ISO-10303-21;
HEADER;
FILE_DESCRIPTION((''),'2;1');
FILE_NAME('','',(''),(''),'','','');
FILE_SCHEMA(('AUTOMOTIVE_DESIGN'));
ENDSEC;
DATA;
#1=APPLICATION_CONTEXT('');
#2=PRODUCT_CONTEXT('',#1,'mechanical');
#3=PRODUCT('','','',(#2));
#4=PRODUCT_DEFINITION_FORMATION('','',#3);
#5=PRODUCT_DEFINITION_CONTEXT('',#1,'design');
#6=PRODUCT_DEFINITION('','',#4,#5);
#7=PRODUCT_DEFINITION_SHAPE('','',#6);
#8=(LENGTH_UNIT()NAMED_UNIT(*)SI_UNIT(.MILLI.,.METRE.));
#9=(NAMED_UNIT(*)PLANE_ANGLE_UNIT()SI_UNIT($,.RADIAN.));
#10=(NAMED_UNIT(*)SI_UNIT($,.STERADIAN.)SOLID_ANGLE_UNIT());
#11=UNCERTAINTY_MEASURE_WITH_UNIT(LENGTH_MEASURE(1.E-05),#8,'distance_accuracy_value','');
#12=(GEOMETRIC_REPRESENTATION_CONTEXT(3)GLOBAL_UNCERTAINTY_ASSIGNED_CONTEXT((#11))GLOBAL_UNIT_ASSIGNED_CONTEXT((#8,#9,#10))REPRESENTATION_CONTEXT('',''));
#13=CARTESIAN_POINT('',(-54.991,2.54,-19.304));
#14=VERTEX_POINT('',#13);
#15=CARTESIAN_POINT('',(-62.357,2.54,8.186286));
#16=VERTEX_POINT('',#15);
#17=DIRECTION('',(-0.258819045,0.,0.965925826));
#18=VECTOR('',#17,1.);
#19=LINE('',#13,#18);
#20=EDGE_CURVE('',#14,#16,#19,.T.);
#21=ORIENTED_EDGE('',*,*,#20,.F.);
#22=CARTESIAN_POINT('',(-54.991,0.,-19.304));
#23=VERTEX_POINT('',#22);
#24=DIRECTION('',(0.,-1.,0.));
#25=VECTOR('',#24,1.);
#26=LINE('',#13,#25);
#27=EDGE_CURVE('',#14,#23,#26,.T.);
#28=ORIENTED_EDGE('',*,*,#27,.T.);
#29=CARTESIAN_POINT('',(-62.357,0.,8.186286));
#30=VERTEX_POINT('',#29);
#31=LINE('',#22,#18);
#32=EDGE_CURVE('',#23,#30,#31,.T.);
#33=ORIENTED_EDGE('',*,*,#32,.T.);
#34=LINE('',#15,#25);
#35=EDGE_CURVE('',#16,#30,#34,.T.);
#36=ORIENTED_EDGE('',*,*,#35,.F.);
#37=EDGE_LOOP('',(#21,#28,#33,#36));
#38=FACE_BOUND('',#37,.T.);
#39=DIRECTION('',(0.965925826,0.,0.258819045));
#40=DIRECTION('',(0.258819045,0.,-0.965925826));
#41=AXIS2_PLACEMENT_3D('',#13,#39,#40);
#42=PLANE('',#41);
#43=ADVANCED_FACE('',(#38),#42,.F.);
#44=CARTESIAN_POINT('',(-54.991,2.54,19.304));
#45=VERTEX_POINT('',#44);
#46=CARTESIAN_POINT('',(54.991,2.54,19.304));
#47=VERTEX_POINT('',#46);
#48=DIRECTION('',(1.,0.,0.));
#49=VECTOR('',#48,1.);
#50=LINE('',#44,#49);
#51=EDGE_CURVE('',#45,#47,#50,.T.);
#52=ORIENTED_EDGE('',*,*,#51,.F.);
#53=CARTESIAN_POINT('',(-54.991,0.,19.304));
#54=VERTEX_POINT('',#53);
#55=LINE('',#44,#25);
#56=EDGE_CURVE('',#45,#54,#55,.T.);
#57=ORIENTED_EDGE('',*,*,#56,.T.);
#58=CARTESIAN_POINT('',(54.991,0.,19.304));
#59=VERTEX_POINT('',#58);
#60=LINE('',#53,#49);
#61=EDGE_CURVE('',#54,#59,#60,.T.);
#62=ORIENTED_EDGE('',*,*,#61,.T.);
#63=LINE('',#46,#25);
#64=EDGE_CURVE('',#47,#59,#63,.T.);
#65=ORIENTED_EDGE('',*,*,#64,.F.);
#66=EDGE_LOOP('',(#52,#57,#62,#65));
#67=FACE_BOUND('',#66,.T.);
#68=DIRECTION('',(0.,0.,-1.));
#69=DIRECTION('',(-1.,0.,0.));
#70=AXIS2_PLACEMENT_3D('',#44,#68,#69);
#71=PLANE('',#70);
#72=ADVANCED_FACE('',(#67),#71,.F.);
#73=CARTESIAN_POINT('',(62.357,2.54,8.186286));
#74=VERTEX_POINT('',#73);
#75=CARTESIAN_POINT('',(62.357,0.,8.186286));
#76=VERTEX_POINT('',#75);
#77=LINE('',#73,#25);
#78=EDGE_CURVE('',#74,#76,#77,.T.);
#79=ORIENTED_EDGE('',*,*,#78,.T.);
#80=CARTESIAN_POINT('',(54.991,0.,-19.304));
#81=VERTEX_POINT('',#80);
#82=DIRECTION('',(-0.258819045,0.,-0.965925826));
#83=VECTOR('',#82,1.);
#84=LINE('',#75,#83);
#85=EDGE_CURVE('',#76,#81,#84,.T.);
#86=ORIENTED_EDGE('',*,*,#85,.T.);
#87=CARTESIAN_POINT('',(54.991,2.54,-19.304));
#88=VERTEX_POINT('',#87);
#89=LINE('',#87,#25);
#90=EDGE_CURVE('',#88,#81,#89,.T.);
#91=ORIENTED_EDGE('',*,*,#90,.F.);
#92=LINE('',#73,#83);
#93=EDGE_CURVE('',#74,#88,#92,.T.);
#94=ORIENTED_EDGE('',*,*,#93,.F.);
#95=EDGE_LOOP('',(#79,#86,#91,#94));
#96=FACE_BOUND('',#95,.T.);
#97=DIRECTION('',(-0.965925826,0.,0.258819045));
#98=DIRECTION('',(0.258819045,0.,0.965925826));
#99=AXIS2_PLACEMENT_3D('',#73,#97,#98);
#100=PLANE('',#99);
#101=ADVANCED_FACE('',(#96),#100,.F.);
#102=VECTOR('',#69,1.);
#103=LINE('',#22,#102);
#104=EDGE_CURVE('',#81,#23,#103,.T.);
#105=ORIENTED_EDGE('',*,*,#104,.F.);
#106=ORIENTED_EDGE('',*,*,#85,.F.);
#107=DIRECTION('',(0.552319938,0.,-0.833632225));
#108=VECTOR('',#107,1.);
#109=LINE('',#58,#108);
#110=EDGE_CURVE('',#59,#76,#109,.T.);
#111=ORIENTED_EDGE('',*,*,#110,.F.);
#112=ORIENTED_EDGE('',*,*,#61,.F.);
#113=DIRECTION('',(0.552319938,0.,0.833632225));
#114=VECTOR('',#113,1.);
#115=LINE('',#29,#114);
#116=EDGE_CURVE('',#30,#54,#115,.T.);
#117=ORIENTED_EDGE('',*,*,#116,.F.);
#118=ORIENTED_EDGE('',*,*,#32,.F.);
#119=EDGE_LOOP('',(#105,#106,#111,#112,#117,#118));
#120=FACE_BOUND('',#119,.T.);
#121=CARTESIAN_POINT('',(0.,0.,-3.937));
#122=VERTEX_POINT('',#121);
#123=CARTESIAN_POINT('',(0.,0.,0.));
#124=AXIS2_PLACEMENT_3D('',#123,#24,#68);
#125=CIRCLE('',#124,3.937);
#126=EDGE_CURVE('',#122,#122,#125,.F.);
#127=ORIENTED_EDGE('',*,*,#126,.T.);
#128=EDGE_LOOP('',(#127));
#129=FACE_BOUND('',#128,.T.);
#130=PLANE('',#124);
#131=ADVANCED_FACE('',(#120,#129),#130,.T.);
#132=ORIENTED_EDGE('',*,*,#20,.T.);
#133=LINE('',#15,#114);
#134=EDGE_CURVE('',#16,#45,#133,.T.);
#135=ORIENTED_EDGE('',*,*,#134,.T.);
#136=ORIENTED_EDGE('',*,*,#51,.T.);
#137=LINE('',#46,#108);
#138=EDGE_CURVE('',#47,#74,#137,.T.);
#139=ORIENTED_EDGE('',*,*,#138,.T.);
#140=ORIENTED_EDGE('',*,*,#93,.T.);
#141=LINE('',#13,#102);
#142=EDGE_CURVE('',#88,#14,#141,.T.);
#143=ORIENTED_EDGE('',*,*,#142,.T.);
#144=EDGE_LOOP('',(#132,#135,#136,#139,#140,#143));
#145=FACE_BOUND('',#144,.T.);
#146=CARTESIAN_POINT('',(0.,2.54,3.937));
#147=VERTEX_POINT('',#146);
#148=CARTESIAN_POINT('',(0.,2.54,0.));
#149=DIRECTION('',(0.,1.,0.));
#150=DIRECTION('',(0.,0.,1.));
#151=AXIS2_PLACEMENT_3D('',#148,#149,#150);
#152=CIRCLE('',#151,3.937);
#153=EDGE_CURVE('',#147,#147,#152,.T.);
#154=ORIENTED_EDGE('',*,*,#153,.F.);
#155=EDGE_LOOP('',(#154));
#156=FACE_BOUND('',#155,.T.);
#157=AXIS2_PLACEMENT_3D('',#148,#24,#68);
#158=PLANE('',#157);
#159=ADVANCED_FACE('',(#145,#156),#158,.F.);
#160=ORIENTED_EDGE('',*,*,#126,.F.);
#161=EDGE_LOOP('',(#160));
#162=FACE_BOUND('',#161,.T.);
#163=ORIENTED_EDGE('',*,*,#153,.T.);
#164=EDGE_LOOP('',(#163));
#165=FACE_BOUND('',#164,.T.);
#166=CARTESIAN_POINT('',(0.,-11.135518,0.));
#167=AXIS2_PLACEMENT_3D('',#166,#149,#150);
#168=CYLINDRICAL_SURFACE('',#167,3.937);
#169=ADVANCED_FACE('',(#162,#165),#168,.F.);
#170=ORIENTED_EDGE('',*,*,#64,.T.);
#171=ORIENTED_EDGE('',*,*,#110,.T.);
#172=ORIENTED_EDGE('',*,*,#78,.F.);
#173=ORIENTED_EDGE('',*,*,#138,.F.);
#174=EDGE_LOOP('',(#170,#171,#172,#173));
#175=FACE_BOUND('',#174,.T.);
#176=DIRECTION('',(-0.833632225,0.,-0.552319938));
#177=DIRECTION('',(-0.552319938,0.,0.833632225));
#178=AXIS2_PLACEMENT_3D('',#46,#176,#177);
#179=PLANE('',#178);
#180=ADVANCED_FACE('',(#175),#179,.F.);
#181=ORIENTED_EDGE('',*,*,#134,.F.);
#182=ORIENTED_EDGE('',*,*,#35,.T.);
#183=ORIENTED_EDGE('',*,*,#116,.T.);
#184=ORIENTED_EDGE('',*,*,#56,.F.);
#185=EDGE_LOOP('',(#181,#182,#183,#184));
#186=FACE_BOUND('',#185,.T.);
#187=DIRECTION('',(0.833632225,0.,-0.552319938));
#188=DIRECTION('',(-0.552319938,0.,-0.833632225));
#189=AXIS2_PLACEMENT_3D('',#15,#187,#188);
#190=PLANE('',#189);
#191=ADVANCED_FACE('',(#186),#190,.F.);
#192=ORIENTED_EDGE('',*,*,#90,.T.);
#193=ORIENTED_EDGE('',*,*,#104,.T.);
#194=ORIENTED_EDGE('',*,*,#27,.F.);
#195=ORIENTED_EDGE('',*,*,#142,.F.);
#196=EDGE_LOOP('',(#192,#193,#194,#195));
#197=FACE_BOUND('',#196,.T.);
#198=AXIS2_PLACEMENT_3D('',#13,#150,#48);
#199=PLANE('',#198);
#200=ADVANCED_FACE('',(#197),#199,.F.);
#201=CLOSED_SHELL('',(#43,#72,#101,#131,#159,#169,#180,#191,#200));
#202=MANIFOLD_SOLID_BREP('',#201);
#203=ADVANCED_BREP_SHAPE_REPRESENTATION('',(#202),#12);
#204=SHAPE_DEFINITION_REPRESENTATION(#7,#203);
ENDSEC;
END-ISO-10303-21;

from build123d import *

# Parameters (mm, degrees)
BOSS_EXTRUDE1_DEPTH = 2.54
SKETCH2_R           = 3.937
CUT_EXTRUDE4_DEPTH  = 2.54


with BuildPart() as part:
    # Sketch1 → Boss-Extrude1 (new body)
    with BuildSketch(Plane(origin=(0, 0, 0), x_dir=(1, 0, 0), z_dir=(0, 1, 0))):
        Polygon((-54.991, 19.304), (-62.357, -8.186286249), (-54.991, -19.304), (54.991, -19.304), (62.357, -8.186286249), (54.991, 19.304), align=None)
    extrude(amount=BOSS_EXTRUDE1_DEPTH)

    # Sketch2 → Cut-Extrude4 (cut)
    with BuildSketch(Plane(origin=(0, 2.54, 0), x_dir=(1, 0, 0), z_dir=(0, 1, 0))):
        with Locations(Location((0, 0, 0), (0, 0, 270))):
            Circle(SKETCH2_R)
    extrude(amount=-CUT_EXTRUDE4_DEPTH, mode=Mode.SUBTRACT)


solid = part.part
